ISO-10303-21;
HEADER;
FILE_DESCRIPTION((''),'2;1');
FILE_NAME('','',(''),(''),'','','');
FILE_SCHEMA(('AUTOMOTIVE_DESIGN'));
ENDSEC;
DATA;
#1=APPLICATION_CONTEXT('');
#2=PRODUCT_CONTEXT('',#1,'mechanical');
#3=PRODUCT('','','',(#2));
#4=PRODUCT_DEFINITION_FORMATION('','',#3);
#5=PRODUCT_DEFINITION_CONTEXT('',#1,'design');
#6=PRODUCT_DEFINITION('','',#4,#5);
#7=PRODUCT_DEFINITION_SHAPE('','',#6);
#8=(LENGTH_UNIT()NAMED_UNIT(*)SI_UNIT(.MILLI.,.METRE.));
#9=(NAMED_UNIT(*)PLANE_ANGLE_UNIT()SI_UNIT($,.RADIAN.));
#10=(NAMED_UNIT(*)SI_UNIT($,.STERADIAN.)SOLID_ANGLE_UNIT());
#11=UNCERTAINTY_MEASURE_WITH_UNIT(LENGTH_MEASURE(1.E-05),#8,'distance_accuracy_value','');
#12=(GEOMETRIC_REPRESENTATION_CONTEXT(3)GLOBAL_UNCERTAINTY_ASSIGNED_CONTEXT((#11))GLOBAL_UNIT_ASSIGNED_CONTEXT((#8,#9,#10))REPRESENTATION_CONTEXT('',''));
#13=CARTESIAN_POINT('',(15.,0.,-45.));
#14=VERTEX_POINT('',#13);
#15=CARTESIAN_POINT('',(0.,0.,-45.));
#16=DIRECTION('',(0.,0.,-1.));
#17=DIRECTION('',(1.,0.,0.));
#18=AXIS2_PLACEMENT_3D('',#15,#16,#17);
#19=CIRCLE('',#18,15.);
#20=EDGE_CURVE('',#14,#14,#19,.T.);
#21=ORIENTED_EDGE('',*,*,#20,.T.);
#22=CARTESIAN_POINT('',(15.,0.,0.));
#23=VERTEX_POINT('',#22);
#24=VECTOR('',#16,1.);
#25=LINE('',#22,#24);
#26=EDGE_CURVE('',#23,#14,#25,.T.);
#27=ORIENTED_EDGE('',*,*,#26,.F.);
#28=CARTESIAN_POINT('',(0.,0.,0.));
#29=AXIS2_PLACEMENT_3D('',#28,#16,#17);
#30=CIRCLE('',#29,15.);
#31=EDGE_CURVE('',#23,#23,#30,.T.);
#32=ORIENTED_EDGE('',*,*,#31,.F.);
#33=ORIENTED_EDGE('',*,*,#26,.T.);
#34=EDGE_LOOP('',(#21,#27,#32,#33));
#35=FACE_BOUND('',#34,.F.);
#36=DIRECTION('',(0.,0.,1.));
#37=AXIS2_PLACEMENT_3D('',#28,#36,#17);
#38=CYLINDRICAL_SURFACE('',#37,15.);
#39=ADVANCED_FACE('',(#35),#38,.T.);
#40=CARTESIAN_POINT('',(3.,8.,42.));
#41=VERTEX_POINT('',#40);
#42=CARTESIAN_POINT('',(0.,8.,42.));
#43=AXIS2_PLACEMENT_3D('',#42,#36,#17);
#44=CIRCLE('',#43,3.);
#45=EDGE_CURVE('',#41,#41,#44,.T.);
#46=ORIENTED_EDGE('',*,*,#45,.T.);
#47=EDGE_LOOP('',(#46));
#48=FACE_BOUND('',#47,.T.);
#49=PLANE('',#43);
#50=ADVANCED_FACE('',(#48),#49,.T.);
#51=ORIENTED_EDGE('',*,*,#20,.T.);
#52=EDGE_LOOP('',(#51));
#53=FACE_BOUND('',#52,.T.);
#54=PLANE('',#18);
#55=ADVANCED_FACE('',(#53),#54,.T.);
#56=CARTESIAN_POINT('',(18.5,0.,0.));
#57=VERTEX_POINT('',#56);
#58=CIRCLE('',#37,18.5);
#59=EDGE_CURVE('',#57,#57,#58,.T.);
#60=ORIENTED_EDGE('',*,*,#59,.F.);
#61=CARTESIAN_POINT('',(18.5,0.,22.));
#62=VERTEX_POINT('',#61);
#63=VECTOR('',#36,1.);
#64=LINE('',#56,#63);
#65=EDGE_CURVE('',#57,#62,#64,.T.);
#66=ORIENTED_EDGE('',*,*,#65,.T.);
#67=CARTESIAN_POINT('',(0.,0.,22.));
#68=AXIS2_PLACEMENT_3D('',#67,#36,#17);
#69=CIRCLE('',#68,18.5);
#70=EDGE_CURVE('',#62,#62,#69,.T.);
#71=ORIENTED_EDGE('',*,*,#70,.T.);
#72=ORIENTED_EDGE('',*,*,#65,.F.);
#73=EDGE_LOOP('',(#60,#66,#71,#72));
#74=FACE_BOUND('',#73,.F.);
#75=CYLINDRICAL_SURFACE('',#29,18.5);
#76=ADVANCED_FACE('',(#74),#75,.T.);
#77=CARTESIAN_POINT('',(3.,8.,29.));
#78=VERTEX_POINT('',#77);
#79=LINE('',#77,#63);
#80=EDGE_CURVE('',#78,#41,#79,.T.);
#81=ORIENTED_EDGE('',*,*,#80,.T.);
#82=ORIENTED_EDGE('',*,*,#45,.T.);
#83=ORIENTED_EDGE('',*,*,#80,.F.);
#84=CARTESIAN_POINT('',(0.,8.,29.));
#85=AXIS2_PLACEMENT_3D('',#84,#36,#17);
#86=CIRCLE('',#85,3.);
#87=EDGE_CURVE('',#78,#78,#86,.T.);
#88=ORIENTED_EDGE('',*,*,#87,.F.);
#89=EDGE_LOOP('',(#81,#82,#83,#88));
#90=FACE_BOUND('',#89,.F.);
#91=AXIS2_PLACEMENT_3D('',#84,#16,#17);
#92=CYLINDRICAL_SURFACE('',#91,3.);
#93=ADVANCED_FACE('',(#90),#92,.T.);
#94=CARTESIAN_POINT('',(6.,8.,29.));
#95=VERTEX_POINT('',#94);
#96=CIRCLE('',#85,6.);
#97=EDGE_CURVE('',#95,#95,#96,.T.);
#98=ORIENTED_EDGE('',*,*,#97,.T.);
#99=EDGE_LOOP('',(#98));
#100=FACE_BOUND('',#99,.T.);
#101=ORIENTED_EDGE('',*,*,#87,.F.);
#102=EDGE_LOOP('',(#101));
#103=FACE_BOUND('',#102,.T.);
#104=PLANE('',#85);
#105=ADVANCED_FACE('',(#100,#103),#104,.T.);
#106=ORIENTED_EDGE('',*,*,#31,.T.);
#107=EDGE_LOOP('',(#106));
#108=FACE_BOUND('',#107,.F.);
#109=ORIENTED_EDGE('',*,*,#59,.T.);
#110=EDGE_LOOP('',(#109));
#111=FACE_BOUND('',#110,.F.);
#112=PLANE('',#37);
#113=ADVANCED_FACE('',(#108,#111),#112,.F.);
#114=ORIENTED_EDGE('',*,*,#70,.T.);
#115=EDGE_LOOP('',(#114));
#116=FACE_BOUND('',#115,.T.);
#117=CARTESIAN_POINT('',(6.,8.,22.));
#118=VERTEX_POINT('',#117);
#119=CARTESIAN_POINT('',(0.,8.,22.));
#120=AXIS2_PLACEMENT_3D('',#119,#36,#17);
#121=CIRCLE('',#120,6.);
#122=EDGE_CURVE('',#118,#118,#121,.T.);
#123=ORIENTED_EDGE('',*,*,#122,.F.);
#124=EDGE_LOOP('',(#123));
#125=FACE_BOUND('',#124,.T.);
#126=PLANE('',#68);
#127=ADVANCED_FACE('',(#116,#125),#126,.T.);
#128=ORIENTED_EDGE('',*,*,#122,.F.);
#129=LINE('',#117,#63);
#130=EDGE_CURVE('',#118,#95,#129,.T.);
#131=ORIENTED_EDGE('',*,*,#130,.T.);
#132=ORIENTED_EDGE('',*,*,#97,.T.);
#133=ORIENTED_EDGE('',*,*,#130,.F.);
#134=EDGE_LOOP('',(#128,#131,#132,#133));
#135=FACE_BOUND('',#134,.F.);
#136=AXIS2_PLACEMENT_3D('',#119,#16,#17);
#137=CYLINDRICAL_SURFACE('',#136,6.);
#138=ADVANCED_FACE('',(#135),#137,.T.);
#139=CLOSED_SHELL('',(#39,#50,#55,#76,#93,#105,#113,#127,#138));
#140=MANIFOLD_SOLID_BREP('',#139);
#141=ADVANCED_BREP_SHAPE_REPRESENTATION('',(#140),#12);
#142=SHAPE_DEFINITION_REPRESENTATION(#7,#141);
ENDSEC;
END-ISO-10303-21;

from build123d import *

# Parameters (mm, degrees)
F0_R     = 18.5
F1_DEPTH = 22
F2_R     = 15
F3_DEPTH = 45
F4_R     = 6
F5_DEPTH = 7
F6_R     = 3
F7_DEPTH = 13


with BuildPart() as f1:
    # F0 (on Top) → F1 (new body)
    with BuildSketch(Plane.XY):
        Circle(F0_R)
    extrude(amount=F1_DEPTH)

    # F2 (on face) → F3 (join)
    with BuildSketch(Plane(origin=(0, 0, 0), x_dir=(1, 0, 0), z_dir=(0, 0, -1))):
        Circle(F2_R)
    extrude(amount=F3_DEPTH)

    # F4 (on face) → F5 (join)
    with BuildSketch(Plane.XY.offset(22)):
        with Locations((0, 8)):
            Circle(F4_R)
    extrude(amount=F5_DEPTH)

    # F6 (on face) → F7 (join)
    with BuildSketch(Plane.XY.offset(29)):
        with Locations((0, 8)):
            Circle(F6_R)
    extrude(amount=F7_DEPTH)


solid = f1.part
